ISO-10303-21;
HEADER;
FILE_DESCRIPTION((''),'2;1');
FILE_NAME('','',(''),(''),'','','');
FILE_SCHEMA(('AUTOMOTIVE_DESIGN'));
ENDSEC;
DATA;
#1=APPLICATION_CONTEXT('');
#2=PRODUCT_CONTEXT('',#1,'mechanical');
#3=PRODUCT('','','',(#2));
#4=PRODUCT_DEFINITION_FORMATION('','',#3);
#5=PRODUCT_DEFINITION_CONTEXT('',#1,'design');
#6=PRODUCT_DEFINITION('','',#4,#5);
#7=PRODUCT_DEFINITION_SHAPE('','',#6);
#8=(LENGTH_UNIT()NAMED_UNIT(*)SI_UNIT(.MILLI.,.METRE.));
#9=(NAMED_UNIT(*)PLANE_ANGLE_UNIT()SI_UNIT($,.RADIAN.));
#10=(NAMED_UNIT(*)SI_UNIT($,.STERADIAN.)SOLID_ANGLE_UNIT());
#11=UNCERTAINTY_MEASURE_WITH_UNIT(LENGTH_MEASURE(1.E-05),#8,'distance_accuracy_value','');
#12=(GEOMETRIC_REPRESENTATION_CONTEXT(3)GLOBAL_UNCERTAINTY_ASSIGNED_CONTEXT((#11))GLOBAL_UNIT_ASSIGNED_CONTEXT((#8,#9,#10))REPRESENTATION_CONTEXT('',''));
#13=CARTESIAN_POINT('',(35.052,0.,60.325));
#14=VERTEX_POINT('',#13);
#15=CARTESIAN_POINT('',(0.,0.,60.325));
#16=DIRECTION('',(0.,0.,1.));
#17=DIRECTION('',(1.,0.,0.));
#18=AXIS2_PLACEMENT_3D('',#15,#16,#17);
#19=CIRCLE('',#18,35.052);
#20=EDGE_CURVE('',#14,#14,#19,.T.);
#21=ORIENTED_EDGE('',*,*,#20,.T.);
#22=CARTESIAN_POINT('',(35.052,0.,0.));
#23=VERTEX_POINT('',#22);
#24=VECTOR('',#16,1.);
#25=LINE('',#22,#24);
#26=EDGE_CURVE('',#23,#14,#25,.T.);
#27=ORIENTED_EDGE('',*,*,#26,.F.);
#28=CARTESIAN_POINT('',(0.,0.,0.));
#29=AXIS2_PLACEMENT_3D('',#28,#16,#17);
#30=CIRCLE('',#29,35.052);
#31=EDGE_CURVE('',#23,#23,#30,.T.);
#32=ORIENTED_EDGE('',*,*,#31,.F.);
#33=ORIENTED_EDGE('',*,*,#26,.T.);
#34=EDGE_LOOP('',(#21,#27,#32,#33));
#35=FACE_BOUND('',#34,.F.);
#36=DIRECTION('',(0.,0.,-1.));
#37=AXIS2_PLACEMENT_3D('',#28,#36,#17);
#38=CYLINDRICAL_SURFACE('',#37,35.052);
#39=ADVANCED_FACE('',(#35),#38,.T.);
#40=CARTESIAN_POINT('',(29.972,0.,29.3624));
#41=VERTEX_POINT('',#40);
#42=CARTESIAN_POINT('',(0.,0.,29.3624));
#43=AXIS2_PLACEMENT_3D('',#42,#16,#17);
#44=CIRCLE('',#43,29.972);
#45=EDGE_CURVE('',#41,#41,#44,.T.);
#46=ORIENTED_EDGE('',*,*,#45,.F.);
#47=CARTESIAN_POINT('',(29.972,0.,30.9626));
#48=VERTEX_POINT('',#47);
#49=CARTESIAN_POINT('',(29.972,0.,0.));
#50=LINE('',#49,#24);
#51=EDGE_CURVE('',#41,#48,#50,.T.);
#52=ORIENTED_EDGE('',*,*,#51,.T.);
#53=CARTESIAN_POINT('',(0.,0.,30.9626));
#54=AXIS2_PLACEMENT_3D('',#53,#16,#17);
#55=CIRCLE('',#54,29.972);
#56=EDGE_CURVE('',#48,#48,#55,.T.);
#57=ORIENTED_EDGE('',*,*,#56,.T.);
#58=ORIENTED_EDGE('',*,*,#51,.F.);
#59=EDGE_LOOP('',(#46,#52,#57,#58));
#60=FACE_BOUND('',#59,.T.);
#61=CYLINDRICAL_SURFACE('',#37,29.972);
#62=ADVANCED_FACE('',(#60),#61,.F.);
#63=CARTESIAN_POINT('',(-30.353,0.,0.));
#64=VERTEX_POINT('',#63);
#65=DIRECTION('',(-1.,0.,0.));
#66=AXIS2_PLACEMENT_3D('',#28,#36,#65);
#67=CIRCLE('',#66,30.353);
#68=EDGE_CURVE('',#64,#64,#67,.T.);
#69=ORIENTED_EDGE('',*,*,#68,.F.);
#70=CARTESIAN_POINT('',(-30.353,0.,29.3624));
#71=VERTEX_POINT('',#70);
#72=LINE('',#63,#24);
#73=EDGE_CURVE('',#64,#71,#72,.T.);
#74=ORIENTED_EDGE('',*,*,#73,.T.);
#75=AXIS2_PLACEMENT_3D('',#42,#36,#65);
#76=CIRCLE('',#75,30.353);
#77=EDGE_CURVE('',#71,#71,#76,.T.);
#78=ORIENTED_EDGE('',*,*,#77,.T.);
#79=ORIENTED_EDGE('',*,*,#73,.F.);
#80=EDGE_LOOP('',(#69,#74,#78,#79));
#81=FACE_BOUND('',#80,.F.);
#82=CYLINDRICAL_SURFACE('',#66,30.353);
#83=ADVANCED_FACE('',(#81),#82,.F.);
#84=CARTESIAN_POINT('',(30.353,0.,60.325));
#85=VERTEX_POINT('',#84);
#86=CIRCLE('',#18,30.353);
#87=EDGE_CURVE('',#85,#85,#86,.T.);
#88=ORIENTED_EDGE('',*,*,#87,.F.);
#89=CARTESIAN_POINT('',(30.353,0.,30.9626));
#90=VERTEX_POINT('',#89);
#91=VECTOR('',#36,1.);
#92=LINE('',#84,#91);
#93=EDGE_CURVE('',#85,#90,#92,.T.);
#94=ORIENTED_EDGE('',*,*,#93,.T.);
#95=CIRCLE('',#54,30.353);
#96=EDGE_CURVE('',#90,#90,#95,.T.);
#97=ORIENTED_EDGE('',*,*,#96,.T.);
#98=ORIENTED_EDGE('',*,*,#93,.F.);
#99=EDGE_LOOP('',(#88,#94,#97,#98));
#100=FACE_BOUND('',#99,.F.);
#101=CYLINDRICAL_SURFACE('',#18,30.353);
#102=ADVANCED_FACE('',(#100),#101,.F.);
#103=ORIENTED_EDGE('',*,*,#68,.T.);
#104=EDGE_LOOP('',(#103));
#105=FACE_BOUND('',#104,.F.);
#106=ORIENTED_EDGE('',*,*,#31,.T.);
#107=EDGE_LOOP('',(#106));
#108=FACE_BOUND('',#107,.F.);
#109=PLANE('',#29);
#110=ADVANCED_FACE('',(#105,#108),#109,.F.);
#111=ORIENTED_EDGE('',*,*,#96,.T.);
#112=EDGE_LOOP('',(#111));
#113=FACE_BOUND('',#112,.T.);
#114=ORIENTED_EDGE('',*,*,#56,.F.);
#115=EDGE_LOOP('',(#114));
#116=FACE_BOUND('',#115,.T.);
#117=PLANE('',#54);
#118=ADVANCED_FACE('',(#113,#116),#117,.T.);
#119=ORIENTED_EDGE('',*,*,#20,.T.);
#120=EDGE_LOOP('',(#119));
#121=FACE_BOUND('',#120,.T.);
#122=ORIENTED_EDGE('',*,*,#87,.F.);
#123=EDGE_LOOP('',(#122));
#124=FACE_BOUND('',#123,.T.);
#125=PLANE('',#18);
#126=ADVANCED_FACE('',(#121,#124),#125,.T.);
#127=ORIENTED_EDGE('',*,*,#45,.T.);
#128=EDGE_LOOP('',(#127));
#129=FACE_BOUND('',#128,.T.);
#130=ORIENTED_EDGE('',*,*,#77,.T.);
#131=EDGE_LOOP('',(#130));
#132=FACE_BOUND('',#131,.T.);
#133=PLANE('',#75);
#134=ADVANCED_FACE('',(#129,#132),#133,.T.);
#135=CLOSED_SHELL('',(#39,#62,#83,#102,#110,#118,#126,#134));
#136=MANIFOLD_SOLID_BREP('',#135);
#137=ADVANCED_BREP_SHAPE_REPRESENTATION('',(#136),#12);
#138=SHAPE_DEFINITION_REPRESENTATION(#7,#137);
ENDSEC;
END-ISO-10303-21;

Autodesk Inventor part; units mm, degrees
ref_plane "YZ Plane" through (0, 0, 0) normal (1, 0, 0) x (0, 1, 0)
ref_plane "XZ Plane" through (0, 0, 0) normal (0, 1, 0) x (-1, 0, 0)
ref_plane "XY Plane" through (0, 0, 0) normal (0, 0, 1) x (1, 0, 0)
sketch "Sketch1" plane through (0, 0, 0) normal (0, 0, 1) x (1, 0, 0)
  circle A0 centre (0, 0) radius 29.972
  circle A1 centre (0, 0) radius 35.052
  dimension "d0" = 59.944
  dimension "d1" = 5.08
extrude "Extrusion1" add sketch "Sketch1" along normal blind 60.325
sketch "Sketch3" plane through (0, 0, 60.325) normal (0, 0, 1) x (1, 0, 0)
  circle A0 centre (0, 0) radius 29.972 projected
  circle A1 centre (0, 0) radius 35.052 projected
  circle A2 centre (0, 0) radius 30.353
  dimension "d4" = 60.706
extrude "Extrusion2" cut sketch "Sketch3" against normal blind 29.3624 contours A2
sketch "Sketch4" plane through (0, 0, 0) normal (0, 0, -1) x (-1, 0, 0)
  circle A0 centre (0, 0) radius 29.972 projected
  circle A1 centre (0, 0) radius 35.052 projected
  circle A2 centre (0, 0) radius 30.353
  dimension "d7" = 60.706
extrude "Extrusion3" cut sketch "Sketch4" against normal blind 29.3624 contours A2
properties part number "coupler_2in" material "PVC-Piping"
